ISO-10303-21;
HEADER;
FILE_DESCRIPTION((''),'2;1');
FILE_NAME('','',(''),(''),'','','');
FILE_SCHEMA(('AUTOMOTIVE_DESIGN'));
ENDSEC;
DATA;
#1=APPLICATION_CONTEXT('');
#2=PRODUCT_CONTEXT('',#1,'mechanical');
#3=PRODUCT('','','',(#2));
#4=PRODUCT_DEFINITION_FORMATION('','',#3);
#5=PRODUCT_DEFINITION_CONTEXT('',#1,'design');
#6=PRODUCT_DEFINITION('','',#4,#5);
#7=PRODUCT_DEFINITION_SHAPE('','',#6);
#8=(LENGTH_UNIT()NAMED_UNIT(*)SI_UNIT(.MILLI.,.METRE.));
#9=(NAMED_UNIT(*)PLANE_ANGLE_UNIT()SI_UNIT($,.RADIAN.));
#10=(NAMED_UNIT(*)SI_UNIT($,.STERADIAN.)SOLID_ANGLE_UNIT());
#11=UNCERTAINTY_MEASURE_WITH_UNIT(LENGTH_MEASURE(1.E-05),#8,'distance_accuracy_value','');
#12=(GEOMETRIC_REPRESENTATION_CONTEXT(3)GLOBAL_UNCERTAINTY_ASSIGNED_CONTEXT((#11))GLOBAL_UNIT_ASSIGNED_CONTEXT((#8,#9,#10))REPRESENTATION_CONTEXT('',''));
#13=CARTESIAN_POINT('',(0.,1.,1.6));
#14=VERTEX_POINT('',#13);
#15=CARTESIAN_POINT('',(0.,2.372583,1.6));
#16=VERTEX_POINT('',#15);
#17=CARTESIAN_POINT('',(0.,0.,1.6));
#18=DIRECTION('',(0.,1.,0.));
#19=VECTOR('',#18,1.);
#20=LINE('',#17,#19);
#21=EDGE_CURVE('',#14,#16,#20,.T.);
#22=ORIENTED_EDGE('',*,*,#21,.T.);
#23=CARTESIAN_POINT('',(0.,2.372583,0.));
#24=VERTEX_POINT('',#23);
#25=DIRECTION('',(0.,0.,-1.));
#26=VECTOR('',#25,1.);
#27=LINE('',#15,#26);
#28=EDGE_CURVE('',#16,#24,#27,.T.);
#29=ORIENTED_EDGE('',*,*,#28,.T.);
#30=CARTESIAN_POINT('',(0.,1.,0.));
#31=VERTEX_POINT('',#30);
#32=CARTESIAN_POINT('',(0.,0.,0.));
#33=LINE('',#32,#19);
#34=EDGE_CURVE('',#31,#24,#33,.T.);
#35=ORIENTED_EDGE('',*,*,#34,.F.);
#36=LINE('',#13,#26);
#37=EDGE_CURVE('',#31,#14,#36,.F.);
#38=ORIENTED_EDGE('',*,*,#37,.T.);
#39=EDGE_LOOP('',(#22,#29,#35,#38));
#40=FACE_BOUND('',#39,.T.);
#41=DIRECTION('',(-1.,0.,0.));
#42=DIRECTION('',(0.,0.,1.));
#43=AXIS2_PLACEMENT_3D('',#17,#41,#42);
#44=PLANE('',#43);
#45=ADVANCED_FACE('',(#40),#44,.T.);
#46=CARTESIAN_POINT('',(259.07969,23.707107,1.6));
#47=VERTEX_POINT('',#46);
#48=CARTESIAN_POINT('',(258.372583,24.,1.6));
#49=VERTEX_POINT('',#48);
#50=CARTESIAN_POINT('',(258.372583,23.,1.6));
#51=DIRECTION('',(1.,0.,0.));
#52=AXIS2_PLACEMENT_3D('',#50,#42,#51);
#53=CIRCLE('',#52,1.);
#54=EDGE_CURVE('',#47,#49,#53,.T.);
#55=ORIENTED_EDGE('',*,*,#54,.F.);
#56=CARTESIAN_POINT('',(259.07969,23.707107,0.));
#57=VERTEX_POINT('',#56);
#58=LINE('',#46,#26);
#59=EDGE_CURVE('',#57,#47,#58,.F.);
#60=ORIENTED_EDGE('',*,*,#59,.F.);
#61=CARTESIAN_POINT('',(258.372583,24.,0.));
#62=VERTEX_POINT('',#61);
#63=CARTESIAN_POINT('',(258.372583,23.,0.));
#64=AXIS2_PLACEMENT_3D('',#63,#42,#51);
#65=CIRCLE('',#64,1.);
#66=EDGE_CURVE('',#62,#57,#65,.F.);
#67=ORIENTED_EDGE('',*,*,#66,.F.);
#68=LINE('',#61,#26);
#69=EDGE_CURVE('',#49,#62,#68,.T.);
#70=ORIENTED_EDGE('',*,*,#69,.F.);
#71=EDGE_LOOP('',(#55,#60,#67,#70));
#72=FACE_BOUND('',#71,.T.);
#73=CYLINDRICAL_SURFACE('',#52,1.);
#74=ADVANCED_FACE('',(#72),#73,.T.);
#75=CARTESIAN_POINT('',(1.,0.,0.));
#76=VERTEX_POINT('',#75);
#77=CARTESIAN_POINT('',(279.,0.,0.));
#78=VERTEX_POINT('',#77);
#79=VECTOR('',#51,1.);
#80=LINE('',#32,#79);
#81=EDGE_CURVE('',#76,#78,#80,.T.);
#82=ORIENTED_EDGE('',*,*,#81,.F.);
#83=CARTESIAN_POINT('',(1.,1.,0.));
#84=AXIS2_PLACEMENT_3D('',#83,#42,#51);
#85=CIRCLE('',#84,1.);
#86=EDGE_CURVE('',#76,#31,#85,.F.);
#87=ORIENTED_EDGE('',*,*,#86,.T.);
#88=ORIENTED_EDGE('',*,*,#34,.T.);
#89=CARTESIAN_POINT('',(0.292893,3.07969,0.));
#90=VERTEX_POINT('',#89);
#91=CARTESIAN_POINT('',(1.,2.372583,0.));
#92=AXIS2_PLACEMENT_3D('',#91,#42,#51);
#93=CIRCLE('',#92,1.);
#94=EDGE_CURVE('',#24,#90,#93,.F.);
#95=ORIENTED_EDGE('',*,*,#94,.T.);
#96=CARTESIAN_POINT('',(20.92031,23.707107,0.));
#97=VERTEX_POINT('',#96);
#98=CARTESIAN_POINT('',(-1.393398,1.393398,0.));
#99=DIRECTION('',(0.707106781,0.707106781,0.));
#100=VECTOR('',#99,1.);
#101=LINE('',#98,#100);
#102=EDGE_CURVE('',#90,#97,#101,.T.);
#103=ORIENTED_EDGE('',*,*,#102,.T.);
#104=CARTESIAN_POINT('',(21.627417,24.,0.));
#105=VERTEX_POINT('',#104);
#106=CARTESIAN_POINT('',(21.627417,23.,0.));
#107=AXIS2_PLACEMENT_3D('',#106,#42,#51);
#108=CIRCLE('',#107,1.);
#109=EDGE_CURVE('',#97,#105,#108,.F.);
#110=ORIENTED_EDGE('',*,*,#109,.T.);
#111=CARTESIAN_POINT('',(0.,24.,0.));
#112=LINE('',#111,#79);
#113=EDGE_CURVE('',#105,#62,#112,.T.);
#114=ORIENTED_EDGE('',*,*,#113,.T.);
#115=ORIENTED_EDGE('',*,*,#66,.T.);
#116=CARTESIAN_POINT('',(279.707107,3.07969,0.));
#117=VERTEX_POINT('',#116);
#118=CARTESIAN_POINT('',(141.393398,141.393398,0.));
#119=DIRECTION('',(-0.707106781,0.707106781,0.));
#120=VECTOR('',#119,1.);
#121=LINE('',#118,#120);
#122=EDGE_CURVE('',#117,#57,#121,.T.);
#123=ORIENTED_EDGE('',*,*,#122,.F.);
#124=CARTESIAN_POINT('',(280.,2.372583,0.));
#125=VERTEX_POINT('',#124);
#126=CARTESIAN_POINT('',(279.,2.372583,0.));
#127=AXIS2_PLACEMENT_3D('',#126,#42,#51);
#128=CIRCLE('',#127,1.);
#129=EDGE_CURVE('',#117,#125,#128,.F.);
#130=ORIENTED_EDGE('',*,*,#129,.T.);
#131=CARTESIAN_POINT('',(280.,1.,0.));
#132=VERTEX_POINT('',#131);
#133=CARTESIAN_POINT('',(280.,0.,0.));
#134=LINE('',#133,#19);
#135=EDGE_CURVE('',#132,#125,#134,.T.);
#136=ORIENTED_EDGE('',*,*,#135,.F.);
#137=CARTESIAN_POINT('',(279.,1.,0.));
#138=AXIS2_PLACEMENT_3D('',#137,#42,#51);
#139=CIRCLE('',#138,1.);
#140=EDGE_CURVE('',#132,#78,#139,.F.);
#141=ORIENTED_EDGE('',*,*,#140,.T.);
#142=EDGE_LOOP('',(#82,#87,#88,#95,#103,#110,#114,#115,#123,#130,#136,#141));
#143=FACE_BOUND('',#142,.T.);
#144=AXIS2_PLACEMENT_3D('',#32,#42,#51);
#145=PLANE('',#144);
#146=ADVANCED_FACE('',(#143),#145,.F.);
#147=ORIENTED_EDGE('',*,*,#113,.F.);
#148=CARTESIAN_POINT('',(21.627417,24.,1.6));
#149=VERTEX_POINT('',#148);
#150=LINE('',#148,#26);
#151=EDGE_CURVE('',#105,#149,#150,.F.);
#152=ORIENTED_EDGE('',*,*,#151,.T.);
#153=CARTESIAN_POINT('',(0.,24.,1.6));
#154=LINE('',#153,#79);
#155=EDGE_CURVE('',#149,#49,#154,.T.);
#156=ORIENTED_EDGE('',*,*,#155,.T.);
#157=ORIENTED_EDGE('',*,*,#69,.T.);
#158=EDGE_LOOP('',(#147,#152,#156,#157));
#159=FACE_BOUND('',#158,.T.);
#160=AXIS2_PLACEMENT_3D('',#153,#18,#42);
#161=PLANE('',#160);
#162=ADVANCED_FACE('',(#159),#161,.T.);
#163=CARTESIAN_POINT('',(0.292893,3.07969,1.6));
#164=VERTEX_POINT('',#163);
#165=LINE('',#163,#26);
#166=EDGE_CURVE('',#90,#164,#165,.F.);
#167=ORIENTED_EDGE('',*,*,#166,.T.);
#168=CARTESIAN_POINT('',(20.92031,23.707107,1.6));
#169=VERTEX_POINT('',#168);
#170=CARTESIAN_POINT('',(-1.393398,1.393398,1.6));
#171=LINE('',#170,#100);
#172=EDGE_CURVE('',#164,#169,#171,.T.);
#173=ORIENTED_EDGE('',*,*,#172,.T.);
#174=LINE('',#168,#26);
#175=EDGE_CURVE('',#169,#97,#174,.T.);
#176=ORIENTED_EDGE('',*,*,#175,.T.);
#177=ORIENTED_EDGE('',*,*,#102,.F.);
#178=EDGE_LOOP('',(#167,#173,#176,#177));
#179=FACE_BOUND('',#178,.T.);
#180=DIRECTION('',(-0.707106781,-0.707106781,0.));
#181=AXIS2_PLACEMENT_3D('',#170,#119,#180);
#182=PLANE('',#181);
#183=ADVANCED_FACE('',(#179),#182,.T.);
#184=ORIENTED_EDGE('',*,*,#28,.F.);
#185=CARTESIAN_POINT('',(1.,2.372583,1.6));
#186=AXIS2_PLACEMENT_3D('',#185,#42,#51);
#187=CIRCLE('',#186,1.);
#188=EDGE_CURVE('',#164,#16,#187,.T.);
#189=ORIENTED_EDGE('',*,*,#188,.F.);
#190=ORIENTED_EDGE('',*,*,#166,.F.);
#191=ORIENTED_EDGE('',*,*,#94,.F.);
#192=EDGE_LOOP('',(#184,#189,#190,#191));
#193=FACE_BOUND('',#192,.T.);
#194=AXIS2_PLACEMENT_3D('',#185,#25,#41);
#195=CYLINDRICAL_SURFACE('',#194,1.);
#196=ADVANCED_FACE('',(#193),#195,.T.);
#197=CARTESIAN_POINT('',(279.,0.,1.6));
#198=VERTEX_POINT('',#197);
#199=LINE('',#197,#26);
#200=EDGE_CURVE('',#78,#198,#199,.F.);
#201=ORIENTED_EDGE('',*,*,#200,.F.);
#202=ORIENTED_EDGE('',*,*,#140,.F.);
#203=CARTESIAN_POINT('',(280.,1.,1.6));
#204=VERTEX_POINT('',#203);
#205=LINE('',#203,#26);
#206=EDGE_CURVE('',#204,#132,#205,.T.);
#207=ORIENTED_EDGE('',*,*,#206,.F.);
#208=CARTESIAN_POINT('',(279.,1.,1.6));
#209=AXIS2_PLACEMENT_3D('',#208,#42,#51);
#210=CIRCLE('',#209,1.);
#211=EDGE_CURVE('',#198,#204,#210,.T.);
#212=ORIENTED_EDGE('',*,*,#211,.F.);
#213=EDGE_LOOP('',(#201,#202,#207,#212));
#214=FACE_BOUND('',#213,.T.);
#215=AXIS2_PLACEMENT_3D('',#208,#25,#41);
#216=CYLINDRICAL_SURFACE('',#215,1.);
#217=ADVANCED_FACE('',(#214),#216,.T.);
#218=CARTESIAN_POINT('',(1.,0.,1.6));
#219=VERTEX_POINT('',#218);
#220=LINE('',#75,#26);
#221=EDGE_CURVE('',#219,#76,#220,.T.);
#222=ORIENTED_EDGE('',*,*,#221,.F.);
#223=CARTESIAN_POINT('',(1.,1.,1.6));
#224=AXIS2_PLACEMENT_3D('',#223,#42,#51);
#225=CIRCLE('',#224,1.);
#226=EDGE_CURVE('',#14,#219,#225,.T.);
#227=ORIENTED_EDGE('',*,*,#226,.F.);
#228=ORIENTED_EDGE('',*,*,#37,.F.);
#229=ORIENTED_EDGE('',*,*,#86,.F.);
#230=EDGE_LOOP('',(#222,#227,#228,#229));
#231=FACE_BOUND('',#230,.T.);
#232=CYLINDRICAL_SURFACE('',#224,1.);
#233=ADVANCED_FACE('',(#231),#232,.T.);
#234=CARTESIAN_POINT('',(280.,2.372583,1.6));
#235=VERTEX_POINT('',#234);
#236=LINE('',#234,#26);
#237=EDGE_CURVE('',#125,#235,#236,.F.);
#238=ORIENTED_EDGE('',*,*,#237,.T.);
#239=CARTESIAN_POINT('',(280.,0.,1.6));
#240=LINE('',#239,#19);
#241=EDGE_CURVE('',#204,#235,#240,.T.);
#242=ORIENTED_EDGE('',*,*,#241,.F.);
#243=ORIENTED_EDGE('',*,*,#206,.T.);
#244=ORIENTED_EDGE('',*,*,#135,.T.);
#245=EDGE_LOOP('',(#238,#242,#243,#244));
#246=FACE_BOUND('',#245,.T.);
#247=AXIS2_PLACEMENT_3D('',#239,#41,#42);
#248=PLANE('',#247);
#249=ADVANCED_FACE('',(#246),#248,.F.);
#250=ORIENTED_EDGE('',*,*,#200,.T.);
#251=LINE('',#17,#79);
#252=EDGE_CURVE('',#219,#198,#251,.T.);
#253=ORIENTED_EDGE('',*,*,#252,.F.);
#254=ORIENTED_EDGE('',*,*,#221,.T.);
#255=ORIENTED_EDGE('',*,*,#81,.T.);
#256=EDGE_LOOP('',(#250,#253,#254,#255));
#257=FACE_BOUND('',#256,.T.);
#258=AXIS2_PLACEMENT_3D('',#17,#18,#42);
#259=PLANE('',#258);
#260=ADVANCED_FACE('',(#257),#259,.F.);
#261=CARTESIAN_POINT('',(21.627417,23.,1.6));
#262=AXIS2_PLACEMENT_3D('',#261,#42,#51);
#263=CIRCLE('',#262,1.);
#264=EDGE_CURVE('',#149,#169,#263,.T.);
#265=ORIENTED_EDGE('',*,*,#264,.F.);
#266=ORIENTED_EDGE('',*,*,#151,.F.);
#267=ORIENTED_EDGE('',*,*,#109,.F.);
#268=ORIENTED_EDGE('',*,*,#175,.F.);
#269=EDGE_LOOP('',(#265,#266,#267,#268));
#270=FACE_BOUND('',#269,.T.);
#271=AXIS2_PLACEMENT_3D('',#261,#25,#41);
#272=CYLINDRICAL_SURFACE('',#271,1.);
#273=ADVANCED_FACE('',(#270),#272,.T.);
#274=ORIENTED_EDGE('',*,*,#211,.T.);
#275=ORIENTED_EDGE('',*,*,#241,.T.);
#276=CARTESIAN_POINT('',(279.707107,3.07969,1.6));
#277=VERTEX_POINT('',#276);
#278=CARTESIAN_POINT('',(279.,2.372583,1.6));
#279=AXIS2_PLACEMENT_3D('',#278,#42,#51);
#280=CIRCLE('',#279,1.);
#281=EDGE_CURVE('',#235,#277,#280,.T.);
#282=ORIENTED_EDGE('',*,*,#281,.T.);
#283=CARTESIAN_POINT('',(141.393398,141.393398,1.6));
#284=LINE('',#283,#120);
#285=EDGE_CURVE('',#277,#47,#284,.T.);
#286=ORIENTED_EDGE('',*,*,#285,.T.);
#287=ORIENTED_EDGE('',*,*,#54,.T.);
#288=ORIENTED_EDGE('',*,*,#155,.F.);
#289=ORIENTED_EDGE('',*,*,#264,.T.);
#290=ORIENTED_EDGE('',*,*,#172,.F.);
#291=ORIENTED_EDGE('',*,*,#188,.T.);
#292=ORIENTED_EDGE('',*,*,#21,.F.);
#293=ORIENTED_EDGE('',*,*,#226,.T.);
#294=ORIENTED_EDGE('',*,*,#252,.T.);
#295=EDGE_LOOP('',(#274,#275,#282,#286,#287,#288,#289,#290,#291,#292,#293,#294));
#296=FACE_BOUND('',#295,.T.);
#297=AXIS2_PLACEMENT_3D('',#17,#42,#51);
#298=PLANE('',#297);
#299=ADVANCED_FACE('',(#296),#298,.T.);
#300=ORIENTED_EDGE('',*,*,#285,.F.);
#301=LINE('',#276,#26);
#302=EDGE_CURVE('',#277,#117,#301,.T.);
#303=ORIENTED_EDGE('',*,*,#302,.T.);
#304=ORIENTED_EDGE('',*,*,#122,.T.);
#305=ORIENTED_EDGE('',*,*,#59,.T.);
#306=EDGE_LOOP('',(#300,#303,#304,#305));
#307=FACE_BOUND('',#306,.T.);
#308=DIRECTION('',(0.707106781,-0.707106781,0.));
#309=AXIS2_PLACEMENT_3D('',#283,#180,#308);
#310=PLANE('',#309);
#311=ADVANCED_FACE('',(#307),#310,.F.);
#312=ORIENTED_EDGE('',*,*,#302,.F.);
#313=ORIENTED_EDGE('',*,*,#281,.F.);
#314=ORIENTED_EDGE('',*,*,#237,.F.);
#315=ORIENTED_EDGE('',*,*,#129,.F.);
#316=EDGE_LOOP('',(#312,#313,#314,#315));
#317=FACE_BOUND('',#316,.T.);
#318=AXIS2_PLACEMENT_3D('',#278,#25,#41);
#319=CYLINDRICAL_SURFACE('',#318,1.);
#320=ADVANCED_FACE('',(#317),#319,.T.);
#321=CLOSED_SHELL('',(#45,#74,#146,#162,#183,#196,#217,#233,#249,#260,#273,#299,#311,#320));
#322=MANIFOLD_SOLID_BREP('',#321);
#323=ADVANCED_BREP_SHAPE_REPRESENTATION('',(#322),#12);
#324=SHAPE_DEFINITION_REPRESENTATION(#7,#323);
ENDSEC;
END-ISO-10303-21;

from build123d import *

# Parameters (mm, degrees)
BOSS_EXTRUDE1_DEPTH = 1.6
FILLET1_R           = 1
BOSS_EXTRUDE2_DEPTH = 1.6


with BuildPart() as part:
    # Sketch1 → Boss-Extrude1 (new body)
    with BuildSketch(Plane.XY):
        with BuildLine():
            Line((21.213203436, 24), (0, 2.786796564))
            Line((0, 2.786796564), (0, 0))
            Line((0, 0), (42, 0))
            Line((42, 0), (42, 11))
            ThreePointArc((42, 11), (43.171572875, 13.828427125), (46, 15))
            Line((46, 15), (234, 15))
            ThreePointArc((234, 15), (236.828427125, 13.828427125), (238, 11))
            Line((238, 11), (238, 0))
            Line((238, 0), (280, 0))
            Line((280, 0), (280, 2.786796564))
            Line((280, 2.786796564), (258.786796564, 24))
            Line((258.786796564, 24), (21.213203436, 24))
        make_face()
    extrude(amount=BOSS_EXTRUDE1_DEPTH)

    # Fillet1
    fillet1_edges = [part.edges().sort_by_distance(p)[0] for p in [
        (0, 0, 0.8),
        (0, 2.786796564, 0.8),
        (21.213203436, 24, 0.8),
        (258.786796564, 24, 0.8),
        (280, 2.786796564, 0.8),
        (280, 0, 0.8),
    ]]
    fillet(fillet1_edges, radius=FILLET1_R)

    # Sketch1<3> → Boss-Extrude2 (add)
    with BuildSketch(Plane.XY):
        with BuildLine():
            Line((42, 11), (42, 0))
            Line((42, 0), (238, 0))
            Line((238, 0), (238, 11))
            ThreePointArc((238, 11), (236.828427125, 13.828427125), (234, 15))
            Line((234, 15), (46, 15))
            ThreePointArc((46, 15), (43.171572875, 13.828427125), (42, 11))
        make_face()
    extrude(amount=BOSS_EXTRUDE2_DEPTH)


solid = part.part
